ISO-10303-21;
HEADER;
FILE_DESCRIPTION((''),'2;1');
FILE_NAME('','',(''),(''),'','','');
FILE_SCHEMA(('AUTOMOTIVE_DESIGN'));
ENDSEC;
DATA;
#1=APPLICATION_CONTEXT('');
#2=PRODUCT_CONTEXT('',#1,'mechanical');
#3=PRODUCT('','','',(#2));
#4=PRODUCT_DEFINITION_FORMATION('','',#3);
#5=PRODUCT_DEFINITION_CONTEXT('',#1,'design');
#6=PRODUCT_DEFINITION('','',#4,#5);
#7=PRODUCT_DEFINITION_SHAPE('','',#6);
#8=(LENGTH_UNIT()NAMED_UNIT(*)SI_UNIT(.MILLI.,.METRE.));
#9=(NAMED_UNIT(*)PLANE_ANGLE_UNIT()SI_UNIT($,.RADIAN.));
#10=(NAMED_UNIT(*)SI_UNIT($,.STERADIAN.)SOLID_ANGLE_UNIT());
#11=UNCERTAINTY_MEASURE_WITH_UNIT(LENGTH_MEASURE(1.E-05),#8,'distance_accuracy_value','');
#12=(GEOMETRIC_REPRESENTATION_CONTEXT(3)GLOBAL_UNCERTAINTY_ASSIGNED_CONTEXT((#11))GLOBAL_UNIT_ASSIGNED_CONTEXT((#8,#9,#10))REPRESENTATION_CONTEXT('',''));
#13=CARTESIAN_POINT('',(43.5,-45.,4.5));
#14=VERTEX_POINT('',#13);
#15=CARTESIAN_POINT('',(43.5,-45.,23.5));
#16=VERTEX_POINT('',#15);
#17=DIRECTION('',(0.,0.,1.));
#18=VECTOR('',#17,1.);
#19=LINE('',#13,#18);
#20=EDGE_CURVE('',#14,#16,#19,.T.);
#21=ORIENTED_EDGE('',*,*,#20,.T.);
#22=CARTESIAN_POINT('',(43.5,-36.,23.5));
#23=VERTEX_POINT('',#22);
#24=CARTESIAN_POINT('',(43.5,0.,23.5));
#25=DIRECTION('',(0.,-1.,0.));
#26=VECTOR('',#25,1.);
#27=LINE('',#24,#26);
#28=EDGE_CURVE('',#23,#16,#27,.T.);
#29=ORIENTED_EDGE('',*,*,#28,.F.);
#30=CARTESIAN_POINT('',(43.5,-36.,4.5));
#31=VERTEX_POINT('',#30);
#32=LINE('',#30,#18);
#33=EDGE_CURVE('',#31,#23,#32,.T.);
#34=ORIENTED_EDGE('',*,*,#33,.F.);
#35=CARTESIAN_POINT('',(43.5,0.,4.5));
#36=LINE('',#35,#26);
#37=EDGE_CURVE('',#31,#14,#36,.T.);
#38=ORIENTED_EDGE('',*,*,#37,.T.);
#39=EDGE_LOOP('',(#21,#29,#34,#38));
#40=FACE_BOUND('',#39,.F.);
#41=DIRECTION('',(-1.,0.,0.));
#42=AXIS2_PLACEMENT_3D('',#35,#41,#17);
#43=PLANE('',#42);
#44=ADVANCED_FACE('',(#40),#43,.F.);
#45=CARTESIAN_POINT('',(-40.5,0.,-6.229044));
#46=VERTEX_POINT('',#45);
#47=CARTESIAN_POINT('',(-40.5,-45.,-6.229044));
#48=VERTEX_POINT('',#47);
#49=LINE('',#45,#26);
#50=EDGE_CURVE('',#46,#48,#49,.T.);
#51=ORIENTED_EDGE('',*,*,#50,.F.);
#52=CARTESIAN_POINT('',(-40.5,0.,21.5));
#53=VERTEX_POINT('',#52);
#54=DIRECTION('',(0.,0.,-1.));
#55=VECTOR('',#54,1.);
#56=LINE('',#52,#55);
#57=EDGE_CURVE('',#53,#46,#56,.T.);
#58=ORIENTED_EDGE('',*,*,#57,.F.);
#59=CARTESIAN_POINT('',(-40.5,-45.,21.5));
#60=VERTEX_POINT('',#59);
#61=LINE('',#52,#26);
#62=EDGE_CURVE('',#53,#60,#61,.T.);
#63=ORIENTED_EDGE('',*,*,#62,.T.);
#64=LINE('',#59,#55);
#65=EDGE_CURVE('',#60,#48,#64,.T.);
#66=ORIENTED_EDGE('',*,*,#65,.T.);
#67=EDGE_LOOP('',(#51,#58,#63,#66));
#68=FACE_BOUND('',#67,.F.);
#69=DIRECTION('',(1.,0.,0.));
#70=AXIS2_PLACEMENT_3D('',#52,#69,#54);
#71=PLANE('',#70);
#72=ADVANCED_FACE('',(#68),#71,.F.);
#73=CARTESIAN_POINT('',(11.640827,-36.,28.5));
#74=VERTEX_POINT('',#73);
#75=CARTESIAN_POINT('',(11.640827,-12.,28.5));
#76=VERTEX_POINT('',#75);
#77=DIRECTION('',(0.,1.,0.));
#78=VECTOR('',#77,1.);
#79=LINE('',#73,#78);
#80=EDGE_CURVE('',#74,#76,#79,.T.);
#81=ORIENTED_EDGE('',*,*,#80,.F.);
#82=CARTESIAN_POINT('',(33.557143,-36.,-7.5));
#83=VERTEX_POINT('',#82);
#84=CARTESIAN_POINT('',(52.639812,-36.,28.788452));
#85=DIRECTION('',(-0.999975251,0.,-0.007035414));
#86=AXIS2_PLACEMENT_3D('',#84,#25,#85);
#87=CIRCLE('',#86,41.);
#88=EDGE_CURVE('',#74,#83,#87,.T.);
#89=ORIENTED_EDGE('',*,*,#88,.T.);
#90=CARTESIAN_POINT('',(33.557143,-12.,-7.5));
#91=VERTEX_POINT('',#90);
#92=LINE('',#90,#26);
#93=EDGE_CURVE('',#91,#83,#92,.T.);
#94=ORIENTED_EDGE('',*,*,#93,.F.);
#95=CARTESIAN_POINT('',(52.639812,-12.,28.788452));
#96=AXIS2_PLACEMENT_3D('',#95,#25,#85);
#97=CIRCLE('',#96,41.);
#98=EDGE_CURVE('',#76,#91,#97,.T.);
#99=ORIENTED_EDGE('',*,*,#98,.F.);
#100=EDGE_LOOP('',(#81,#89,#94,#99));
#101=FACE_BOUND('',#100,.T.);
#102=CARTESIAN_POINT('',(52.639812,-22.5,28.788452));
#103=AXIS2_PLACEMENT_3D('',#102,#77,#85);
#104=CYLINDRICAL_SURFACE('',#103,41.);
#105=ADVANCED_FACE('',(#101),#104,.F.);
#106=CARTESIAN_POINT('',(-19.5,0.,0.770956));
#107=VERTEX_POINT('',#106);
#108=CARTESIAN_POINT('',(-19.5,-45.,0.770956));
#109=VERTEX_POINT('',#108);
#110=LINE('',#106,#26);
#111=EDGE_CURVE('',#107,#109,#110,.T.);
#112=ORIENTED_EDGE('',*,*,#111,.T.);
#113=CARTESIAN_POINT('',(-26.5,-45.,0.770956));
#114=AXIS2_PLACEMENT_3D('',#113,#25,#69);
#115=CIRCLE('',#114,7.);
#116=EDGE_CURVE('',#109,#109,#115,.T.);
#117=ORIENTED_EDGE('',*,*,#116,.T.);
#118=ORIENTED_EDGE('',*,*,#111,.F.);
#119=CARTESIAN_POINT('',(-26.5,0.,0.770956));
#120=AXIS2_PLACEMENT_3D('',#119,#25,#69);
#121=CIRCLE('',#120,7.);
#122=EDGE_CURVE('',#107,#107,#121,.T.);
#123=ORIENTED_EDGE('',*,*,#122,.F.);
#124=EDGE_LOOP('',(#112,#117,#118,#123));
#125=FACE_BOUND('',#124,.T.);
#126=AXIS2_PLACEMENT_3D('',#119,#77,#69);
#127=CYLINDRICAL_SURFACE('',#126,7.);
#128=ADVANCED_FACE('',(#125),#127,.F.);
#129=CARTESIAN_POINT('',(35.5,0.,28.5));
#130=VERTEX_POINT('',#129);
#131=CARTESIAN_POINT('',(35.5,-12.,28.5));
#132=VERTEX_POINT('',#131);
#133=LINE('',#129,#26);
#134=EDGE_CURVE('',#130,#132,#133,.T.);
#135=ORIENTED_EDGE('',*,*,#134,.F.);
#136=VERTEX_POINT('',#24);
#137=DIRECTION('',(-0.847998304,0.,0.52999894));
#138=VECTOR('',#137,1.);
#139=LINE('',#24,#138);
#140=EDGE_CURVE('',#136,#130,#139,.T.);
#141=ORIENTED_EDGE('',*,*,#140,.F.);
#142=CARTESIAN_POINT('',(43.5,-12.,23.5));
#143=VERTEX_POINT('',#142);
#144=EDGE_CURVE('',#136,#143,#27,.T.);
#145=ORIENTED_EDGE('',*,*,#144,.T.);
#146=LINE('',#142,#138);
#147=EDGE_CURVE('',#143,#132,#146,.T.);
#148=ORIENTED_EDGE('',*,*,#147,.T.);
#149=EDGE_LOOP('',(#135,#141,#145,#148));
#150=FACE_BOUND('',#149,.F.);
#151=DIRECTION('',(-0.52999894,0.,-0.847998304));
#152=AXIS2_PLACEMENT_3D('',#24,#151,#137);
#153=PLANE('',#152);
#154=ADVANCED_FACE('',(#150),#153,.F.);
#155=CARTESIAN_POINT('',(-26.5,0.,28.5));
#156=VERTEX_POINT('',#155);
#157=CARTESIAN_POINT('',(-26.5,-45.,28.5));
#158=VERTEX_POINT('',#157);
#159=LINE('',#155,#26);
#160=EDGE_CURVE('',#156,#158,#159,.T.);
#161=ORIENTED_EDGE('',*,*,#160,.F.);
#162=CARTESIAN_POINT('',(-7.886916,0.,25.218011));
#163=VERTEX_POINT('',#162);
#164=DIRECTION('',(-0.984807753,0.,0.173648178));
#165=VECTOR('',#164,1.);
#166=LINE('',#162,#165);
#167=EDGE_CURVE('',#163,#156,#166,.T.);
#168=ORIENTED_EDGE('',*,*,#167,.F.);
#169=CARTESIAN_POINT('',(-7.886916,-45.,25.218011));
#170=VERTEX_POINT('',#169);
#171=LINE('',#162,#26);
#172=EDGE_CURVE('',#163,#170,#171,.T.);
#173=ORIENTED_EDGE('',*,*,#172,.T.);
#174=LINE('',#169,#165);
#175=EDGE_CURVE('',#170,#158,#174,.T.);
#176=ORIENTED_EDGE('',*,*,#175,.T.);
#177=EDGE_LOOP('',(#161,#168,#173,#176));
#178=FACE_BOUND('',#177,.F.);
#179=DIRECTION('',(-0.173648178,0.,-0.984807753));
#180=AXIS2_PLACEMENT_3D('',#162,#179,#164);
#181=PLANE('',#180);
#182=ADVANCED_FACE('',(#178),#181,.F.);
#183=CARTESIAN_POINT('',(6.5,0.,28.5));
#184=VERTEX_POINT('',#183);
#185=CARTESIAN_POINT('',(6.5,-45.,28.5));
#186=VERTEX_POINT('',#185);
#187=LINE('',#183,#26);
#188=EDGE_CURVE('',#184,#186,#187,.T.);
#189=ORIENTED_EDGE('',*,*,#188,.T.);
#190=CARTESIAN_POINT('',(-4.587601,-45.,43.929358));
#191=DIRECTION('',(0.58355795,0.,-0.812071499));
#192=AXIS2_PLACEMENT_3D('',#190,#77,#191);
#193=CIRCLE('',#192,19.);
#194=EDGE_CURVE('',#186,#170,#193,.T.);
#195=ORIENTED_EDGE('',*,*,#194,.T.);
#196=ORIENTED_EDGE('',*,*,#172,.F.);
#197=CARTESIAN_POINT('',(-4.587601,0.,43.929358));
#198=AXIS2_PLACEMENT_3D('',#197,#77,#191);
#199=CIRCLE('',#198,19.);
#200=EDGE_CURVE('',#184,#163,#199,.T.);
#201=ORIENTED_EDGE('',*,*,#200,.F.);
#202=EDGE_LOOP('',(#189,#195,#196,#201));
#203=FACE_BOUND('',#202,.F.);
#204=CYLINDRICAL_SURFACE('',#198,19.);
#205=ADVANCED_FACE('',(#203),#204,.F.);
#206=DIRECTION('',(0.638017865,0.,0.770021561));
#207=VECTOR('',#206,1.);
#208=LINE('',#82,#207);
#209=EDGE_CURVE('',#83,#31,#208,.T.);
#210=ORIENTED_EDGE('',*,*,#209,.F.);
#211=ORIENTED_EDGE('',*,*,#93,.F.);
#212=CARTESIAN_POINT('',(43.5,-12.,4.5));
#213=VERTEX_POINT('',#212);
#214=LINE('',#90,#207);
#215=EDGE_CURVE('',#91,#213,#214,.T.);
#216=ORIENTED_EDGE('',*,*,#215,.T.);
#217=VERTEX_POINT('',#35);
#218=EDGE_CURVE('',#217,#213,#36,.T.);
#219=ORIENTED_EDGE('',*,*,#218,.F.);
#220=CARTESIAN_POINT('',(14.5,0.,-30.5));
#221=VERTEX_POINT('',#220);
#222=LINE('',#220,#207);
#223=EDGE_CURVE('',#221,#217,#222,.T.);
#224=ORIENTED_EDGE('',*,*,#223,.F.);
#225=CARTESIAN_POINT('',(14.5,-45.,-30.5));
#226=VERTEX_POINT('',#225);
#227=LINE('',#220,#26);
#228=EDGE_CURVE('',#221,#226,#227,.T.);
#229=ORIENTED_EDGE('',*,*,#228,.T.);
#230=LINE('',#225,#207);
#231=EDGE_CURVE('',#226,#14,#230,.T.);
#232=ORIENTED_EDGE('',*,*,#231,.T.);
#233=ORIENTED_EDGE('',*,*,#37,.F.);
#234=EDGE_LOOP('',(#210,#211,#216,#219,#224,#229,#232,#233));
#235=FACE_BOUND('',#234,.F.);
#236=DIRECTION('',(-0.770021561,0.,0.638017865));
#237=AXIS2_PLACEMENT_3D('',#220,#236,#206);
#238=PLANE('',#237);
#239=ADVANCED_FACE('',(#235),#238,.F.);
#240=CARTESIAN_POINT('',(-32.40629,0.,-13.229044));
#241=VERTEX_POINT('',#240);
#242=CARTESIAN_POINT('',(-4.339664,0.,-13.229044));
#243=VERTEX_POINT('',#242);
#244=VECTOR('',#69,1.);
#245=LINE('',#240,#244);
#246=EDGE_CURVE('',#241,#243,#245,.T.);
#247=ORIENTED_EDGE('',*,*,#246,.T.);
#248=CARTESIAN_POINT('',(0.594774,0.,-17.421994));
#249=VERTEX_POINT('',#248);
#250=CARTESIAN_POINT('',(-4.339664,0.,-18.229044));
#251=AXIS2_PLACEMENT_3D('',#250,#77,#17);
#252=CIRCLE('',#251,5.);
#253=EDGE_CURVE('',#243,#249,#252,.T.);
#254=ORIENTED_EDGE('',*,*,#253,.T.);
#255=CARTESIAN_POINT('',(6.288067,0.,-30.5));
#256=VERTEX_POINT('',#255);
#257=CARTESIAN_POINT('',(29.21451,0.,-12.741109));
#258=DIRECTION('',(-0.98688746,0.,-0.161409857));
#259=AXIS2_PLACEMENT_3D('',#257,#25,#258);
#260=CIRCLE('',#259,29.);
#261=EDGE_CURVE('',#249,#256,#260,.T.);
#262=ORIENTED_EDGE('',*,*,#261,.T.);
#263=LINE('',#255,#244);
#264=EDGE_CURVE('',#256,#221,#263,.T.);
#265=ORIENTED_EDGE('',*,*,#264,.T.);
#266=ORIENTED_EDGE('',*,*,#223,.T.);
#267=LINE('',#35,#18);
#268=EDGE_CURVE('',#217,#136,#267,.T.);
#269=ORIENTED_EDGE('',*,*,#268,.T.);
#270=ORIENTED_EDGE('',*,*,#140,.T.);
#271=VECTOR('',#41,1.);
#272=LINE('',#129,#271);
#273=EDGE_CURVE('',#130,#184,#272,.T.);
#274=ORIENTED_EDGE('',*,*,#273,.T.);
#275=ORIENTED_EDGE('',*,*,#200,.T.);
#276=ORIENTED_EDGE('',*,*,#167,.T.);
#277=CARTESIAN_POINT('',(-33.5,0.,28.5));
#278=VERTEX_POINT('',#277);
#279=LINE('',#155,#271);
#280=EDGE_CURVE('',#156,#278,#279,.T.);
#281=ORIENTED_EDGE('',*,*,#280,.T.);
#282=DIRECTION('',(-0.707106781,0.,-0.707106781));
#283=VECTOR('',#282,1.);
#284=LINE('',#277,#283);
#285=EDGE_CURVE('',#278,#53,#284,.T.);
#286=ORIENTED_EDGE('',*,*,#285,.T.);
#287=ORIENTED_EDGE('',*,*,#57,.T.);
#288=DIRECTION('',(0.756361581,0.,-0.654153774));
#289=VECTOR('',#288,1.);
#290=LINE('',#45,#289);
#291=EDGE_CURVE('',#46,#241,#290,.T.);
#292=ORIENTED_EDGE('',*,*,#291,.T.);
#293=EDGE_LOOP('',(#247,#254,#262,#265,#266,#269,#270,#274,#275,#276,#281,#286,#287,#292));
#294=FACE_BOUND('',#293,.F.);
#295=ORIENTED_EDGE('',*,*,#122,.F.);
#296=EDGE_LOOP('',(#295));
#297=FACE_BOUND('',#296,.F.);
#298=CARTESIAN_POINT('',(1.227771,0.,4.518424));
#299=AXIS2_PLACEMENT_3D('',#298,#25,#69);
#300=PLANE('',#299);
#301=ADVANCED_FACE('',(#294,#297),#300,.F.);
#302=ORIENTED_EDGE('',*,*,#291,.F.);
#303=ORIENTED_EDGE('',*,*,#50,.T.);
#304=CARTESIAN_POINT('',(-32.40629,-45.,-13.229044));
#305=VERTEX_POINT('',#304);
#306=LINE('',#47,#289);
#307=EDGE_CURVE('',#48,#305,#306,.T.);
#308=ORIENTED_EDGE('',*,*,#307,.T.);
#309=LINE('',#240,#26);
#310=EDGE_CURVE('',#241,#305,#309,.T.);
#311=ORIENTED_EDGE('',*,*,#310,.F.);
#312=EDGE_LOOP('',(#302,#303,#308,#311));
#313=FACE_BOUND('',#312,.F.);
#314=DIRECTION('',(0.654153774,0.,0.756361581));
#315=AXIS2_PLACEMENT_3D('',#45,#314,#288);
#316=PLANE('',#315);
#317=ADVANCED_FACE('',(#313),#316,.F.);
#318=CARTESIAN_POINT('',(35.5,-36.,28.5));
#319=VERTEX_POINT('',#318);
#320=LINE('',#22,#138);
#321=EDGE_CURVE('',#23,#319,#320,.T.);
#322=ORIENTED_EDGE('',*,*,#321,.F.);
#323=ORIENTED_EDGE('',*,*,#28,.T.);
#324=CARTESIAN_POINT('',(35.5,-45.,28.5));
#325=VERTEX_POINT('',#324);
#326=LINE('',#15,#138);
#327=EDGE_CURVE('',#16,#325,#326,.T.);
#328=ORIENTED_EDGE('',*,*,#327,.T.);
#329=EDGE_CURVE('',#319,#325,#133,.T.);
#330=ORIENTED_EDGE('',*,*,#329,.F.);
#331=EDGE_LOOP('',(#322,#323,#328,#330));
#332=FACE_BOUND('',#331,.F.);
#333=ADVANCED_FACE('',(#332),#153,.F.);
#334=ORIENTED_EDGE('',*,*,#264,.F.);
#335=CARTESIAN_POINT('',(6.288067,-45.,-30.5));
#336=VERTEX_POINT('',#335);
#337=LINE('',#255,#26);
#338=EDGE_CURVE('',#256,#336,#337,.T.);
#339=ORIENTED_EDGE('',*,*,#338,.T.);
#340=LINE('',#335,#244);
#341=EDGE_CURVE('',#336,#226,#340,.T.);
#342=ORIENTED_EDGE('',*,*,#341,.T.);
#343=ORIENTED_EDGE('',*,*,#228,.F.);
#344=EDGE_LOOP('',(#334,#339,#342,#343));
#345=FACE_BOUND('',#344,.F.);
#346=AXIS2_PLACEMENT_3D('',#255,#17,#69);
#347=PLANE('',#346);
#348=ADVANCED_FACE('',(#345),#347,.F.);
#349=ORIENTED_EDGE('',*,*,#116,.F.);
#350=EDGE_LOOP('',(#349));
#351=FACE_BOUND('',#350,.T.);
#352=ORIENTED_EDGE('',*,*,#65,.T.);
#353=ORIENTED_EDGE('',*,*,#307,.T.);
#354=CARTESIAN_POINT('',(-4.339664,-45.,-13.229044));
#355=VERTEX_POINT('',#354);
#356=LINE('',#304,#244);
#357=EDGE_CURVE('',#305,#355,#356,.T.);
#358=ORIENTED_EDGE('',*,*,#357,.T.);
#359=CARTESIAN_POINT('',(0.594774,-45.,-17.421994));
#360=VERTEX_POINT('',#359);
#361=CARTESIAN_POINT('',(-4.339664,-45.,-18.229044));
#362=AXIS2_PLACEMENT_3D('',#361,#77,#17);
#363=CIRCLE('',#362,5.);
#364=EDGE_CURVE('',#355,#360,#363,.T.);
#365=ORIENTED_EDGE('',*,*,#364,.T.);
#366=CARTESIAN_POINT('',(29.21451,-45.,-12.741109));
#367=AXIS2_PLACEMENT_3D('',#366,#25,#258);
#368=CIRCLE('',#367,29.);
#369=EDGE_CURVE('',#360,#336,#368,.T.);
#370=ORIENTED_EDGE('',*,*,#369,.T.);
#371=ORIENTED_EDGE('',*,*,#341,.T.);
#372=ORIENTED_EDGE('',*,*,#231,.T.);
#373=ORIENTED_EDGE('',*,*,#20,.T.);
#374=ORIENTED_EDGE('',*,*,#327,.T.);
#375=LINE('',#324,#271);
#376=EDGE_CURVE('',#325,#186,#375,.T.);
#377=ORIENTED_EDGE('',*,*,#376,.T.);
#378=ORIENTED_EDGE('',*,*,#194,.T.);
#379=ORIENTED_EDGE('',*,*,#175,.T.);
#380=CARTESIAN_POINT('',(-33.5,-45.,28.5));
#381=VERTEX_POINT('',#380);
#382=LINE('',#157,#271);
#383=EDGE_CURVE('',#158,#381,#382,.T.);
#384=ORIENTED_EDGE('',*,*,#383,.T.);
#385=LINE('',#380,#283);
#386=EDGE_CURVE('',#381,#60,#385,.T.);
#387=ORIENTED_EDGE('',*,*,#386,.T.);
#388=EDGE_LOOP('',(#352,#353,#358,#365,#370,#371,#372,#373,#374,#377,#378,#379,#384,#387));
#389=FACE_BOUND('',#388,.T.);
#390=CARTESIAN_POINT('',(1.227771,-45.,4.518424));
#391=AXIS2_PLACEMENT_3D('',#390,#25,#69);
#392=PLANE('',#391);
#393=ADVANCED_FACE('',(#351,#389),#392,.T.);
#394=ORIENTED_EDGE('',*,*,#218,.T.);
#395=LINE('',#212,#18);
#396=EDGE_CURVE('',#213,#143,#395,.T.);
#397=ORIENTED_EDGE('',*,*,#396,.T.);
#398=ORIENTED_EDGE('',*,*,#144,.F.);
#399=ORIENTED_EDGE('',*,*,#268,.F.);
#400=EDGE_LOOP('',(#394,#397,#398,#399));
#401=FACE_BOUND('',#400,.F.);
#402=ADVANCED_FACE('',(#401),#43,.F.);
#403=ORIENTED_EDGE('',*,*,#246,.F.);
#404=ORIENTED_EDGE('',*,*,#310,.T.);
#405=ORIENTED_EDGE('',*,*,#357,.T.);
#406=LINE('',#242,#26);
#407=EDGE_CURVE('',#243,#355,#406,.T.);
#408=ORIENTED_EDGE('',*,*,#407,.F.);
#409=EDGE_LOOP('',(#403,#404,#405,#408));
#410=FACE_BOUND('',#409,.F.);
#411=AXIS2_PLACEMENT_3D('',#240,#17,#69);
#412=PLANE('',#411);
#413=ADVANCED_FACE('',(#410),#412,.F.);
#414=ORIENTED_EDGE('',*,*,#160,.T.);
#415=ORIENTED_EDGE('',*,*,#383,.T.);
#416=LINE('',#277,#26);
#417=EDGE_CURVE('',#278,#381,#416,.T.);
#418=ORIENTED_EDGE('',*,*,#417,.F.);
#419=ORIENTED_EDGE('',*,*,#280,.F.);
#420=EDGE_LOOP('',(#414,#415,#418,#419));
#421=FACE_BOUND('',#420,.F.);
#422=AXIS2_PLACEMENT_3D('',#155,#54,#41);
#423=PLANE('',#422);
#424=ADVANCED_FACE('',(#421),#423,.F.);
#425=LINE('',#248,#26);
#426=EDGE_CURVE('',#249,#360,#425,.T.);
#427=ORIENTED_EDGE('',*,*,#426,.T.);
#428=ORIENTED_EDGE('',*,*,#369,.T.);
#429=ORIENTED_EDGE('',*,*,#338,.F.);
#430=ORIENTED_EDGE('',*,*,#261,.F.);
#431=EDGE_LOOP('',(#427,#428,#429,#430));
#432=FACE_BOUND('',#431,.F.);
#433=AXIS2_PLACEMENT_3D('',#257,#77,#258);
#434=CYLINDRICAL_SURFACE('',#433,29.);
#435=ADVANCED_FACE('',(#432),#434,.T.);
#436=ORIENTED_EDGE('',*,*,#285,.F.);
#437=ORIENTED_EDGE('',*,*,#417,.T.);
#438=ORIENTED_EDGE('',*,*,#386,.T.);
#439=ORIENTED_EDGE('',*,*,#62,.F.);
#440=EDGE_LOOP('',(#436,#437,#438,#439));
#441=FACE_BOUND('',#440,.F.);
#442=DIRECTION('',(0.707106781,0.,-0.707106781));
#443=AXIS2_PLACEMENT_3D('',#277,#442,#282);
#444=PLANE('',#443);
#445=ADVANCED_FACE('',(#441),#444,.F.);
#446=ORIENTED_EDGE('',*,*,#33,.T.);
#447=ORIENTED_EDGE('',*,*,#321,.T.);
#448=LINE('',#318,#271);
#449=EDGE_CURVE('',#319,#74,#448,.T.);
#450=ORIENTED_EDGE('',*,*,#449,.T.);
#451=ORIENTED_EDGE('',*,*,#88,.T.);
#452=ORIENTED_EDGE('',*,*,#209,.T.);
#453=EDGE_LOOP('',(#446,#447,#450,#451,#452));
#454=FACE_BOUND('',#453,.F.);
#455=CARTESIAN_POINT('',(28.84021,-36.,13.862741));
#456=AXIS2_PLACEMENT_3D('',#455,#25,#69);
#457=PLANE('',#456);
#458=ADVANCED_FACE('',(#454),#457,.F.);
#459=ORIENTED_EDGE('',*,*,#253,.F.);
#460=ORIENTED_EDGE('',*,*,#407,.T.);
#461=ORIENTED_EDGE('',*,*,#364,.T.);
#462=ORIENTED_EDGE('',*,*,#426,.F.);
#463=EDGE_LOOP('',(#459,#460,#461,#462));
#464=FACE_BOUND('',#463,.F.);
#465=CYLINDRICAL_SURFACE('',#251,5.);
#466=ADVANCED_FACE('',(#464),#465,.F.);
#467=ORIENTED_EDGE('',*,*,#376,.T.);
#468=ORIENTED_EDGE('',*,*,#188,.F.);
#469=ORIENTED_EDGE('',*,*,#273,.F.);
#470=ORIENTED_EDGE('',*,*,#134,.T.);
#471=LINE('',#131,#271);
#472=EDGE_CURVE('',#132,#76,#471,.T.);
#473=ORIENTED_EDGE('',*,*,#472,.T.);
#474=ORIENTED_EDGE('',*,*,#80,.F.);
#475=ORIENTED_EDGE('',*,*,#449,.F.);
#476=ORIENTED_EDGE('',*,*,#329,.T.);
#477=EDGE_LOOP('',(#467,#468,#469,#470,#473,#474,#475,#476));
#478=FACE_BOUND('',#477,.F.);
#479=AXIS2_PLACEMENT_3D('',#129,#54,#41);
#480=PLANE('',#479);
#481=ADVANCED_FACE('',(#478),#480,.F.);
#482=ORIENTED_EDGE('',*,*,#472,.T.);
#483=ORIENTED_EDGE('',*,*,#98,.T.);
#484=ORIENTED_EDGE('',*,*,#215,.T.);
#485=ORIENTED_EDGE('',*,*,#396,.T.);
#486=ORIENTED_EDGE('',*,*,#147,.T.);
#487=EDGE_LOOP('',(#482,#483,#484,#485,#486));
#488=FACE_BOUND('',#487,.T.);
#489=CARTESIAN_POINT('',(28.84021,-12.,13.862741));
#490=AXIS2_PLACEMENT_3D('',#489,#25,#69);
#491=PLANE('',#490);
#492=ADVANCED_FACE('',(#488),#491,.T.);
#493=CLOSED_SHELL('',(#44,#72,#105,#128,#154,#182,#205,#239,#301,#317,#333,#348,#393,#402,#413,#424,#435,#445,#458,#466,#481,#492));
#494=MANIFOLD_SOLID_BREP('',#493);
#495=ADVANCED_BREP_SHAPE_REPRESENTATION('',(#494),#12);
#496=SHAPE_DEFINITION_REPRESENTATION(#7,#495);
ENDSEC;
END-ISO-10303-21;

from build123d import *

# Parameters (mm, degrees)
F0_R          = 7
F1_DEPTH      = 45
F4_DEPTH      = 10.5
F4_DEPTH_BACK = 13.5


with BuildPart() as f1:
    # F0 (on Front) → F1 (new body)
    with BuildSketch(Plane.XZ):
        with BuildLine():
            Line((-33.5, 28.5), (-40.5, 21.5))
            Line((-40.5, 21.5), (-40.5, -6.2290436868))
            Line((-40.5, -6.2290436868), (-32.4062898078, -13.2290436868))
            Line((-32.4062898078, -13.2290436868), (-4.3396635525, -13.2290436868))
            ThreePointArc((-4.3396635525, -13.2290436868), (-1.1020136669, -14.4188437946), (0.5947737455, -17.4219943993))
            ThreePointArc((0.5947737455, -17.4219943993), (2.6248372639, -24.3164832501), (6.2880673968, -30.5))
            Line((6.2880673968, -30.5), (14.5, -30.5))
            Line((14.5, -30.5), (43.5, 4.5))
            Line((43.5, 4.5), (43.5, 23.5))
            Line((43.5, 23.5), (35.5, 28.5))
            Line((35.5, 28.5), (6.5, 28.5))
            ThreePointArc((6.5, 28.5), (-0.361821699, 25.4052447636), (-7.8869164215, 25.2180111709))
            Line((-7.8869164215, 25.2180111709), (-26.5, 28.5))
            Line((-26.5, 28.5), (-33.5, 28.5))
        make_face()
        with Locations((-26.5, 0.7709563132)):
            Circle(F0_R, mode=Mode.SUBTRACT)
    extrude(amount=F1_DEPTH)

    # F3 (on offset) → F4 (cut, two sides)
    with BuildSketch(Plane.XZ.offset(22.5)) as f4_sk:
        with BuildLine():
            Line((35.5, 28.5), (11.6408265143, 28.5))
            ThreePointArc((11.6408265143, 28.5), (17.6190851715, 7.4683040803), (33.5571428571, -7.5))
            Line((33.5571428571, -7.5), (43.5, 4.5))
            Line((43.5, 4.5), (43.5, 23.5))
            Line((43.5, 23.5), (35.5, 28.5))
        make_face()
    extrude(amount=-F4_DEPTH, mode=Mode.SUBTRACT)
    extrude(f4_sk.sketch, amount=F4_DEPTH_BACK, mode=Mode.SUBTRACT)


solid = f1.part
